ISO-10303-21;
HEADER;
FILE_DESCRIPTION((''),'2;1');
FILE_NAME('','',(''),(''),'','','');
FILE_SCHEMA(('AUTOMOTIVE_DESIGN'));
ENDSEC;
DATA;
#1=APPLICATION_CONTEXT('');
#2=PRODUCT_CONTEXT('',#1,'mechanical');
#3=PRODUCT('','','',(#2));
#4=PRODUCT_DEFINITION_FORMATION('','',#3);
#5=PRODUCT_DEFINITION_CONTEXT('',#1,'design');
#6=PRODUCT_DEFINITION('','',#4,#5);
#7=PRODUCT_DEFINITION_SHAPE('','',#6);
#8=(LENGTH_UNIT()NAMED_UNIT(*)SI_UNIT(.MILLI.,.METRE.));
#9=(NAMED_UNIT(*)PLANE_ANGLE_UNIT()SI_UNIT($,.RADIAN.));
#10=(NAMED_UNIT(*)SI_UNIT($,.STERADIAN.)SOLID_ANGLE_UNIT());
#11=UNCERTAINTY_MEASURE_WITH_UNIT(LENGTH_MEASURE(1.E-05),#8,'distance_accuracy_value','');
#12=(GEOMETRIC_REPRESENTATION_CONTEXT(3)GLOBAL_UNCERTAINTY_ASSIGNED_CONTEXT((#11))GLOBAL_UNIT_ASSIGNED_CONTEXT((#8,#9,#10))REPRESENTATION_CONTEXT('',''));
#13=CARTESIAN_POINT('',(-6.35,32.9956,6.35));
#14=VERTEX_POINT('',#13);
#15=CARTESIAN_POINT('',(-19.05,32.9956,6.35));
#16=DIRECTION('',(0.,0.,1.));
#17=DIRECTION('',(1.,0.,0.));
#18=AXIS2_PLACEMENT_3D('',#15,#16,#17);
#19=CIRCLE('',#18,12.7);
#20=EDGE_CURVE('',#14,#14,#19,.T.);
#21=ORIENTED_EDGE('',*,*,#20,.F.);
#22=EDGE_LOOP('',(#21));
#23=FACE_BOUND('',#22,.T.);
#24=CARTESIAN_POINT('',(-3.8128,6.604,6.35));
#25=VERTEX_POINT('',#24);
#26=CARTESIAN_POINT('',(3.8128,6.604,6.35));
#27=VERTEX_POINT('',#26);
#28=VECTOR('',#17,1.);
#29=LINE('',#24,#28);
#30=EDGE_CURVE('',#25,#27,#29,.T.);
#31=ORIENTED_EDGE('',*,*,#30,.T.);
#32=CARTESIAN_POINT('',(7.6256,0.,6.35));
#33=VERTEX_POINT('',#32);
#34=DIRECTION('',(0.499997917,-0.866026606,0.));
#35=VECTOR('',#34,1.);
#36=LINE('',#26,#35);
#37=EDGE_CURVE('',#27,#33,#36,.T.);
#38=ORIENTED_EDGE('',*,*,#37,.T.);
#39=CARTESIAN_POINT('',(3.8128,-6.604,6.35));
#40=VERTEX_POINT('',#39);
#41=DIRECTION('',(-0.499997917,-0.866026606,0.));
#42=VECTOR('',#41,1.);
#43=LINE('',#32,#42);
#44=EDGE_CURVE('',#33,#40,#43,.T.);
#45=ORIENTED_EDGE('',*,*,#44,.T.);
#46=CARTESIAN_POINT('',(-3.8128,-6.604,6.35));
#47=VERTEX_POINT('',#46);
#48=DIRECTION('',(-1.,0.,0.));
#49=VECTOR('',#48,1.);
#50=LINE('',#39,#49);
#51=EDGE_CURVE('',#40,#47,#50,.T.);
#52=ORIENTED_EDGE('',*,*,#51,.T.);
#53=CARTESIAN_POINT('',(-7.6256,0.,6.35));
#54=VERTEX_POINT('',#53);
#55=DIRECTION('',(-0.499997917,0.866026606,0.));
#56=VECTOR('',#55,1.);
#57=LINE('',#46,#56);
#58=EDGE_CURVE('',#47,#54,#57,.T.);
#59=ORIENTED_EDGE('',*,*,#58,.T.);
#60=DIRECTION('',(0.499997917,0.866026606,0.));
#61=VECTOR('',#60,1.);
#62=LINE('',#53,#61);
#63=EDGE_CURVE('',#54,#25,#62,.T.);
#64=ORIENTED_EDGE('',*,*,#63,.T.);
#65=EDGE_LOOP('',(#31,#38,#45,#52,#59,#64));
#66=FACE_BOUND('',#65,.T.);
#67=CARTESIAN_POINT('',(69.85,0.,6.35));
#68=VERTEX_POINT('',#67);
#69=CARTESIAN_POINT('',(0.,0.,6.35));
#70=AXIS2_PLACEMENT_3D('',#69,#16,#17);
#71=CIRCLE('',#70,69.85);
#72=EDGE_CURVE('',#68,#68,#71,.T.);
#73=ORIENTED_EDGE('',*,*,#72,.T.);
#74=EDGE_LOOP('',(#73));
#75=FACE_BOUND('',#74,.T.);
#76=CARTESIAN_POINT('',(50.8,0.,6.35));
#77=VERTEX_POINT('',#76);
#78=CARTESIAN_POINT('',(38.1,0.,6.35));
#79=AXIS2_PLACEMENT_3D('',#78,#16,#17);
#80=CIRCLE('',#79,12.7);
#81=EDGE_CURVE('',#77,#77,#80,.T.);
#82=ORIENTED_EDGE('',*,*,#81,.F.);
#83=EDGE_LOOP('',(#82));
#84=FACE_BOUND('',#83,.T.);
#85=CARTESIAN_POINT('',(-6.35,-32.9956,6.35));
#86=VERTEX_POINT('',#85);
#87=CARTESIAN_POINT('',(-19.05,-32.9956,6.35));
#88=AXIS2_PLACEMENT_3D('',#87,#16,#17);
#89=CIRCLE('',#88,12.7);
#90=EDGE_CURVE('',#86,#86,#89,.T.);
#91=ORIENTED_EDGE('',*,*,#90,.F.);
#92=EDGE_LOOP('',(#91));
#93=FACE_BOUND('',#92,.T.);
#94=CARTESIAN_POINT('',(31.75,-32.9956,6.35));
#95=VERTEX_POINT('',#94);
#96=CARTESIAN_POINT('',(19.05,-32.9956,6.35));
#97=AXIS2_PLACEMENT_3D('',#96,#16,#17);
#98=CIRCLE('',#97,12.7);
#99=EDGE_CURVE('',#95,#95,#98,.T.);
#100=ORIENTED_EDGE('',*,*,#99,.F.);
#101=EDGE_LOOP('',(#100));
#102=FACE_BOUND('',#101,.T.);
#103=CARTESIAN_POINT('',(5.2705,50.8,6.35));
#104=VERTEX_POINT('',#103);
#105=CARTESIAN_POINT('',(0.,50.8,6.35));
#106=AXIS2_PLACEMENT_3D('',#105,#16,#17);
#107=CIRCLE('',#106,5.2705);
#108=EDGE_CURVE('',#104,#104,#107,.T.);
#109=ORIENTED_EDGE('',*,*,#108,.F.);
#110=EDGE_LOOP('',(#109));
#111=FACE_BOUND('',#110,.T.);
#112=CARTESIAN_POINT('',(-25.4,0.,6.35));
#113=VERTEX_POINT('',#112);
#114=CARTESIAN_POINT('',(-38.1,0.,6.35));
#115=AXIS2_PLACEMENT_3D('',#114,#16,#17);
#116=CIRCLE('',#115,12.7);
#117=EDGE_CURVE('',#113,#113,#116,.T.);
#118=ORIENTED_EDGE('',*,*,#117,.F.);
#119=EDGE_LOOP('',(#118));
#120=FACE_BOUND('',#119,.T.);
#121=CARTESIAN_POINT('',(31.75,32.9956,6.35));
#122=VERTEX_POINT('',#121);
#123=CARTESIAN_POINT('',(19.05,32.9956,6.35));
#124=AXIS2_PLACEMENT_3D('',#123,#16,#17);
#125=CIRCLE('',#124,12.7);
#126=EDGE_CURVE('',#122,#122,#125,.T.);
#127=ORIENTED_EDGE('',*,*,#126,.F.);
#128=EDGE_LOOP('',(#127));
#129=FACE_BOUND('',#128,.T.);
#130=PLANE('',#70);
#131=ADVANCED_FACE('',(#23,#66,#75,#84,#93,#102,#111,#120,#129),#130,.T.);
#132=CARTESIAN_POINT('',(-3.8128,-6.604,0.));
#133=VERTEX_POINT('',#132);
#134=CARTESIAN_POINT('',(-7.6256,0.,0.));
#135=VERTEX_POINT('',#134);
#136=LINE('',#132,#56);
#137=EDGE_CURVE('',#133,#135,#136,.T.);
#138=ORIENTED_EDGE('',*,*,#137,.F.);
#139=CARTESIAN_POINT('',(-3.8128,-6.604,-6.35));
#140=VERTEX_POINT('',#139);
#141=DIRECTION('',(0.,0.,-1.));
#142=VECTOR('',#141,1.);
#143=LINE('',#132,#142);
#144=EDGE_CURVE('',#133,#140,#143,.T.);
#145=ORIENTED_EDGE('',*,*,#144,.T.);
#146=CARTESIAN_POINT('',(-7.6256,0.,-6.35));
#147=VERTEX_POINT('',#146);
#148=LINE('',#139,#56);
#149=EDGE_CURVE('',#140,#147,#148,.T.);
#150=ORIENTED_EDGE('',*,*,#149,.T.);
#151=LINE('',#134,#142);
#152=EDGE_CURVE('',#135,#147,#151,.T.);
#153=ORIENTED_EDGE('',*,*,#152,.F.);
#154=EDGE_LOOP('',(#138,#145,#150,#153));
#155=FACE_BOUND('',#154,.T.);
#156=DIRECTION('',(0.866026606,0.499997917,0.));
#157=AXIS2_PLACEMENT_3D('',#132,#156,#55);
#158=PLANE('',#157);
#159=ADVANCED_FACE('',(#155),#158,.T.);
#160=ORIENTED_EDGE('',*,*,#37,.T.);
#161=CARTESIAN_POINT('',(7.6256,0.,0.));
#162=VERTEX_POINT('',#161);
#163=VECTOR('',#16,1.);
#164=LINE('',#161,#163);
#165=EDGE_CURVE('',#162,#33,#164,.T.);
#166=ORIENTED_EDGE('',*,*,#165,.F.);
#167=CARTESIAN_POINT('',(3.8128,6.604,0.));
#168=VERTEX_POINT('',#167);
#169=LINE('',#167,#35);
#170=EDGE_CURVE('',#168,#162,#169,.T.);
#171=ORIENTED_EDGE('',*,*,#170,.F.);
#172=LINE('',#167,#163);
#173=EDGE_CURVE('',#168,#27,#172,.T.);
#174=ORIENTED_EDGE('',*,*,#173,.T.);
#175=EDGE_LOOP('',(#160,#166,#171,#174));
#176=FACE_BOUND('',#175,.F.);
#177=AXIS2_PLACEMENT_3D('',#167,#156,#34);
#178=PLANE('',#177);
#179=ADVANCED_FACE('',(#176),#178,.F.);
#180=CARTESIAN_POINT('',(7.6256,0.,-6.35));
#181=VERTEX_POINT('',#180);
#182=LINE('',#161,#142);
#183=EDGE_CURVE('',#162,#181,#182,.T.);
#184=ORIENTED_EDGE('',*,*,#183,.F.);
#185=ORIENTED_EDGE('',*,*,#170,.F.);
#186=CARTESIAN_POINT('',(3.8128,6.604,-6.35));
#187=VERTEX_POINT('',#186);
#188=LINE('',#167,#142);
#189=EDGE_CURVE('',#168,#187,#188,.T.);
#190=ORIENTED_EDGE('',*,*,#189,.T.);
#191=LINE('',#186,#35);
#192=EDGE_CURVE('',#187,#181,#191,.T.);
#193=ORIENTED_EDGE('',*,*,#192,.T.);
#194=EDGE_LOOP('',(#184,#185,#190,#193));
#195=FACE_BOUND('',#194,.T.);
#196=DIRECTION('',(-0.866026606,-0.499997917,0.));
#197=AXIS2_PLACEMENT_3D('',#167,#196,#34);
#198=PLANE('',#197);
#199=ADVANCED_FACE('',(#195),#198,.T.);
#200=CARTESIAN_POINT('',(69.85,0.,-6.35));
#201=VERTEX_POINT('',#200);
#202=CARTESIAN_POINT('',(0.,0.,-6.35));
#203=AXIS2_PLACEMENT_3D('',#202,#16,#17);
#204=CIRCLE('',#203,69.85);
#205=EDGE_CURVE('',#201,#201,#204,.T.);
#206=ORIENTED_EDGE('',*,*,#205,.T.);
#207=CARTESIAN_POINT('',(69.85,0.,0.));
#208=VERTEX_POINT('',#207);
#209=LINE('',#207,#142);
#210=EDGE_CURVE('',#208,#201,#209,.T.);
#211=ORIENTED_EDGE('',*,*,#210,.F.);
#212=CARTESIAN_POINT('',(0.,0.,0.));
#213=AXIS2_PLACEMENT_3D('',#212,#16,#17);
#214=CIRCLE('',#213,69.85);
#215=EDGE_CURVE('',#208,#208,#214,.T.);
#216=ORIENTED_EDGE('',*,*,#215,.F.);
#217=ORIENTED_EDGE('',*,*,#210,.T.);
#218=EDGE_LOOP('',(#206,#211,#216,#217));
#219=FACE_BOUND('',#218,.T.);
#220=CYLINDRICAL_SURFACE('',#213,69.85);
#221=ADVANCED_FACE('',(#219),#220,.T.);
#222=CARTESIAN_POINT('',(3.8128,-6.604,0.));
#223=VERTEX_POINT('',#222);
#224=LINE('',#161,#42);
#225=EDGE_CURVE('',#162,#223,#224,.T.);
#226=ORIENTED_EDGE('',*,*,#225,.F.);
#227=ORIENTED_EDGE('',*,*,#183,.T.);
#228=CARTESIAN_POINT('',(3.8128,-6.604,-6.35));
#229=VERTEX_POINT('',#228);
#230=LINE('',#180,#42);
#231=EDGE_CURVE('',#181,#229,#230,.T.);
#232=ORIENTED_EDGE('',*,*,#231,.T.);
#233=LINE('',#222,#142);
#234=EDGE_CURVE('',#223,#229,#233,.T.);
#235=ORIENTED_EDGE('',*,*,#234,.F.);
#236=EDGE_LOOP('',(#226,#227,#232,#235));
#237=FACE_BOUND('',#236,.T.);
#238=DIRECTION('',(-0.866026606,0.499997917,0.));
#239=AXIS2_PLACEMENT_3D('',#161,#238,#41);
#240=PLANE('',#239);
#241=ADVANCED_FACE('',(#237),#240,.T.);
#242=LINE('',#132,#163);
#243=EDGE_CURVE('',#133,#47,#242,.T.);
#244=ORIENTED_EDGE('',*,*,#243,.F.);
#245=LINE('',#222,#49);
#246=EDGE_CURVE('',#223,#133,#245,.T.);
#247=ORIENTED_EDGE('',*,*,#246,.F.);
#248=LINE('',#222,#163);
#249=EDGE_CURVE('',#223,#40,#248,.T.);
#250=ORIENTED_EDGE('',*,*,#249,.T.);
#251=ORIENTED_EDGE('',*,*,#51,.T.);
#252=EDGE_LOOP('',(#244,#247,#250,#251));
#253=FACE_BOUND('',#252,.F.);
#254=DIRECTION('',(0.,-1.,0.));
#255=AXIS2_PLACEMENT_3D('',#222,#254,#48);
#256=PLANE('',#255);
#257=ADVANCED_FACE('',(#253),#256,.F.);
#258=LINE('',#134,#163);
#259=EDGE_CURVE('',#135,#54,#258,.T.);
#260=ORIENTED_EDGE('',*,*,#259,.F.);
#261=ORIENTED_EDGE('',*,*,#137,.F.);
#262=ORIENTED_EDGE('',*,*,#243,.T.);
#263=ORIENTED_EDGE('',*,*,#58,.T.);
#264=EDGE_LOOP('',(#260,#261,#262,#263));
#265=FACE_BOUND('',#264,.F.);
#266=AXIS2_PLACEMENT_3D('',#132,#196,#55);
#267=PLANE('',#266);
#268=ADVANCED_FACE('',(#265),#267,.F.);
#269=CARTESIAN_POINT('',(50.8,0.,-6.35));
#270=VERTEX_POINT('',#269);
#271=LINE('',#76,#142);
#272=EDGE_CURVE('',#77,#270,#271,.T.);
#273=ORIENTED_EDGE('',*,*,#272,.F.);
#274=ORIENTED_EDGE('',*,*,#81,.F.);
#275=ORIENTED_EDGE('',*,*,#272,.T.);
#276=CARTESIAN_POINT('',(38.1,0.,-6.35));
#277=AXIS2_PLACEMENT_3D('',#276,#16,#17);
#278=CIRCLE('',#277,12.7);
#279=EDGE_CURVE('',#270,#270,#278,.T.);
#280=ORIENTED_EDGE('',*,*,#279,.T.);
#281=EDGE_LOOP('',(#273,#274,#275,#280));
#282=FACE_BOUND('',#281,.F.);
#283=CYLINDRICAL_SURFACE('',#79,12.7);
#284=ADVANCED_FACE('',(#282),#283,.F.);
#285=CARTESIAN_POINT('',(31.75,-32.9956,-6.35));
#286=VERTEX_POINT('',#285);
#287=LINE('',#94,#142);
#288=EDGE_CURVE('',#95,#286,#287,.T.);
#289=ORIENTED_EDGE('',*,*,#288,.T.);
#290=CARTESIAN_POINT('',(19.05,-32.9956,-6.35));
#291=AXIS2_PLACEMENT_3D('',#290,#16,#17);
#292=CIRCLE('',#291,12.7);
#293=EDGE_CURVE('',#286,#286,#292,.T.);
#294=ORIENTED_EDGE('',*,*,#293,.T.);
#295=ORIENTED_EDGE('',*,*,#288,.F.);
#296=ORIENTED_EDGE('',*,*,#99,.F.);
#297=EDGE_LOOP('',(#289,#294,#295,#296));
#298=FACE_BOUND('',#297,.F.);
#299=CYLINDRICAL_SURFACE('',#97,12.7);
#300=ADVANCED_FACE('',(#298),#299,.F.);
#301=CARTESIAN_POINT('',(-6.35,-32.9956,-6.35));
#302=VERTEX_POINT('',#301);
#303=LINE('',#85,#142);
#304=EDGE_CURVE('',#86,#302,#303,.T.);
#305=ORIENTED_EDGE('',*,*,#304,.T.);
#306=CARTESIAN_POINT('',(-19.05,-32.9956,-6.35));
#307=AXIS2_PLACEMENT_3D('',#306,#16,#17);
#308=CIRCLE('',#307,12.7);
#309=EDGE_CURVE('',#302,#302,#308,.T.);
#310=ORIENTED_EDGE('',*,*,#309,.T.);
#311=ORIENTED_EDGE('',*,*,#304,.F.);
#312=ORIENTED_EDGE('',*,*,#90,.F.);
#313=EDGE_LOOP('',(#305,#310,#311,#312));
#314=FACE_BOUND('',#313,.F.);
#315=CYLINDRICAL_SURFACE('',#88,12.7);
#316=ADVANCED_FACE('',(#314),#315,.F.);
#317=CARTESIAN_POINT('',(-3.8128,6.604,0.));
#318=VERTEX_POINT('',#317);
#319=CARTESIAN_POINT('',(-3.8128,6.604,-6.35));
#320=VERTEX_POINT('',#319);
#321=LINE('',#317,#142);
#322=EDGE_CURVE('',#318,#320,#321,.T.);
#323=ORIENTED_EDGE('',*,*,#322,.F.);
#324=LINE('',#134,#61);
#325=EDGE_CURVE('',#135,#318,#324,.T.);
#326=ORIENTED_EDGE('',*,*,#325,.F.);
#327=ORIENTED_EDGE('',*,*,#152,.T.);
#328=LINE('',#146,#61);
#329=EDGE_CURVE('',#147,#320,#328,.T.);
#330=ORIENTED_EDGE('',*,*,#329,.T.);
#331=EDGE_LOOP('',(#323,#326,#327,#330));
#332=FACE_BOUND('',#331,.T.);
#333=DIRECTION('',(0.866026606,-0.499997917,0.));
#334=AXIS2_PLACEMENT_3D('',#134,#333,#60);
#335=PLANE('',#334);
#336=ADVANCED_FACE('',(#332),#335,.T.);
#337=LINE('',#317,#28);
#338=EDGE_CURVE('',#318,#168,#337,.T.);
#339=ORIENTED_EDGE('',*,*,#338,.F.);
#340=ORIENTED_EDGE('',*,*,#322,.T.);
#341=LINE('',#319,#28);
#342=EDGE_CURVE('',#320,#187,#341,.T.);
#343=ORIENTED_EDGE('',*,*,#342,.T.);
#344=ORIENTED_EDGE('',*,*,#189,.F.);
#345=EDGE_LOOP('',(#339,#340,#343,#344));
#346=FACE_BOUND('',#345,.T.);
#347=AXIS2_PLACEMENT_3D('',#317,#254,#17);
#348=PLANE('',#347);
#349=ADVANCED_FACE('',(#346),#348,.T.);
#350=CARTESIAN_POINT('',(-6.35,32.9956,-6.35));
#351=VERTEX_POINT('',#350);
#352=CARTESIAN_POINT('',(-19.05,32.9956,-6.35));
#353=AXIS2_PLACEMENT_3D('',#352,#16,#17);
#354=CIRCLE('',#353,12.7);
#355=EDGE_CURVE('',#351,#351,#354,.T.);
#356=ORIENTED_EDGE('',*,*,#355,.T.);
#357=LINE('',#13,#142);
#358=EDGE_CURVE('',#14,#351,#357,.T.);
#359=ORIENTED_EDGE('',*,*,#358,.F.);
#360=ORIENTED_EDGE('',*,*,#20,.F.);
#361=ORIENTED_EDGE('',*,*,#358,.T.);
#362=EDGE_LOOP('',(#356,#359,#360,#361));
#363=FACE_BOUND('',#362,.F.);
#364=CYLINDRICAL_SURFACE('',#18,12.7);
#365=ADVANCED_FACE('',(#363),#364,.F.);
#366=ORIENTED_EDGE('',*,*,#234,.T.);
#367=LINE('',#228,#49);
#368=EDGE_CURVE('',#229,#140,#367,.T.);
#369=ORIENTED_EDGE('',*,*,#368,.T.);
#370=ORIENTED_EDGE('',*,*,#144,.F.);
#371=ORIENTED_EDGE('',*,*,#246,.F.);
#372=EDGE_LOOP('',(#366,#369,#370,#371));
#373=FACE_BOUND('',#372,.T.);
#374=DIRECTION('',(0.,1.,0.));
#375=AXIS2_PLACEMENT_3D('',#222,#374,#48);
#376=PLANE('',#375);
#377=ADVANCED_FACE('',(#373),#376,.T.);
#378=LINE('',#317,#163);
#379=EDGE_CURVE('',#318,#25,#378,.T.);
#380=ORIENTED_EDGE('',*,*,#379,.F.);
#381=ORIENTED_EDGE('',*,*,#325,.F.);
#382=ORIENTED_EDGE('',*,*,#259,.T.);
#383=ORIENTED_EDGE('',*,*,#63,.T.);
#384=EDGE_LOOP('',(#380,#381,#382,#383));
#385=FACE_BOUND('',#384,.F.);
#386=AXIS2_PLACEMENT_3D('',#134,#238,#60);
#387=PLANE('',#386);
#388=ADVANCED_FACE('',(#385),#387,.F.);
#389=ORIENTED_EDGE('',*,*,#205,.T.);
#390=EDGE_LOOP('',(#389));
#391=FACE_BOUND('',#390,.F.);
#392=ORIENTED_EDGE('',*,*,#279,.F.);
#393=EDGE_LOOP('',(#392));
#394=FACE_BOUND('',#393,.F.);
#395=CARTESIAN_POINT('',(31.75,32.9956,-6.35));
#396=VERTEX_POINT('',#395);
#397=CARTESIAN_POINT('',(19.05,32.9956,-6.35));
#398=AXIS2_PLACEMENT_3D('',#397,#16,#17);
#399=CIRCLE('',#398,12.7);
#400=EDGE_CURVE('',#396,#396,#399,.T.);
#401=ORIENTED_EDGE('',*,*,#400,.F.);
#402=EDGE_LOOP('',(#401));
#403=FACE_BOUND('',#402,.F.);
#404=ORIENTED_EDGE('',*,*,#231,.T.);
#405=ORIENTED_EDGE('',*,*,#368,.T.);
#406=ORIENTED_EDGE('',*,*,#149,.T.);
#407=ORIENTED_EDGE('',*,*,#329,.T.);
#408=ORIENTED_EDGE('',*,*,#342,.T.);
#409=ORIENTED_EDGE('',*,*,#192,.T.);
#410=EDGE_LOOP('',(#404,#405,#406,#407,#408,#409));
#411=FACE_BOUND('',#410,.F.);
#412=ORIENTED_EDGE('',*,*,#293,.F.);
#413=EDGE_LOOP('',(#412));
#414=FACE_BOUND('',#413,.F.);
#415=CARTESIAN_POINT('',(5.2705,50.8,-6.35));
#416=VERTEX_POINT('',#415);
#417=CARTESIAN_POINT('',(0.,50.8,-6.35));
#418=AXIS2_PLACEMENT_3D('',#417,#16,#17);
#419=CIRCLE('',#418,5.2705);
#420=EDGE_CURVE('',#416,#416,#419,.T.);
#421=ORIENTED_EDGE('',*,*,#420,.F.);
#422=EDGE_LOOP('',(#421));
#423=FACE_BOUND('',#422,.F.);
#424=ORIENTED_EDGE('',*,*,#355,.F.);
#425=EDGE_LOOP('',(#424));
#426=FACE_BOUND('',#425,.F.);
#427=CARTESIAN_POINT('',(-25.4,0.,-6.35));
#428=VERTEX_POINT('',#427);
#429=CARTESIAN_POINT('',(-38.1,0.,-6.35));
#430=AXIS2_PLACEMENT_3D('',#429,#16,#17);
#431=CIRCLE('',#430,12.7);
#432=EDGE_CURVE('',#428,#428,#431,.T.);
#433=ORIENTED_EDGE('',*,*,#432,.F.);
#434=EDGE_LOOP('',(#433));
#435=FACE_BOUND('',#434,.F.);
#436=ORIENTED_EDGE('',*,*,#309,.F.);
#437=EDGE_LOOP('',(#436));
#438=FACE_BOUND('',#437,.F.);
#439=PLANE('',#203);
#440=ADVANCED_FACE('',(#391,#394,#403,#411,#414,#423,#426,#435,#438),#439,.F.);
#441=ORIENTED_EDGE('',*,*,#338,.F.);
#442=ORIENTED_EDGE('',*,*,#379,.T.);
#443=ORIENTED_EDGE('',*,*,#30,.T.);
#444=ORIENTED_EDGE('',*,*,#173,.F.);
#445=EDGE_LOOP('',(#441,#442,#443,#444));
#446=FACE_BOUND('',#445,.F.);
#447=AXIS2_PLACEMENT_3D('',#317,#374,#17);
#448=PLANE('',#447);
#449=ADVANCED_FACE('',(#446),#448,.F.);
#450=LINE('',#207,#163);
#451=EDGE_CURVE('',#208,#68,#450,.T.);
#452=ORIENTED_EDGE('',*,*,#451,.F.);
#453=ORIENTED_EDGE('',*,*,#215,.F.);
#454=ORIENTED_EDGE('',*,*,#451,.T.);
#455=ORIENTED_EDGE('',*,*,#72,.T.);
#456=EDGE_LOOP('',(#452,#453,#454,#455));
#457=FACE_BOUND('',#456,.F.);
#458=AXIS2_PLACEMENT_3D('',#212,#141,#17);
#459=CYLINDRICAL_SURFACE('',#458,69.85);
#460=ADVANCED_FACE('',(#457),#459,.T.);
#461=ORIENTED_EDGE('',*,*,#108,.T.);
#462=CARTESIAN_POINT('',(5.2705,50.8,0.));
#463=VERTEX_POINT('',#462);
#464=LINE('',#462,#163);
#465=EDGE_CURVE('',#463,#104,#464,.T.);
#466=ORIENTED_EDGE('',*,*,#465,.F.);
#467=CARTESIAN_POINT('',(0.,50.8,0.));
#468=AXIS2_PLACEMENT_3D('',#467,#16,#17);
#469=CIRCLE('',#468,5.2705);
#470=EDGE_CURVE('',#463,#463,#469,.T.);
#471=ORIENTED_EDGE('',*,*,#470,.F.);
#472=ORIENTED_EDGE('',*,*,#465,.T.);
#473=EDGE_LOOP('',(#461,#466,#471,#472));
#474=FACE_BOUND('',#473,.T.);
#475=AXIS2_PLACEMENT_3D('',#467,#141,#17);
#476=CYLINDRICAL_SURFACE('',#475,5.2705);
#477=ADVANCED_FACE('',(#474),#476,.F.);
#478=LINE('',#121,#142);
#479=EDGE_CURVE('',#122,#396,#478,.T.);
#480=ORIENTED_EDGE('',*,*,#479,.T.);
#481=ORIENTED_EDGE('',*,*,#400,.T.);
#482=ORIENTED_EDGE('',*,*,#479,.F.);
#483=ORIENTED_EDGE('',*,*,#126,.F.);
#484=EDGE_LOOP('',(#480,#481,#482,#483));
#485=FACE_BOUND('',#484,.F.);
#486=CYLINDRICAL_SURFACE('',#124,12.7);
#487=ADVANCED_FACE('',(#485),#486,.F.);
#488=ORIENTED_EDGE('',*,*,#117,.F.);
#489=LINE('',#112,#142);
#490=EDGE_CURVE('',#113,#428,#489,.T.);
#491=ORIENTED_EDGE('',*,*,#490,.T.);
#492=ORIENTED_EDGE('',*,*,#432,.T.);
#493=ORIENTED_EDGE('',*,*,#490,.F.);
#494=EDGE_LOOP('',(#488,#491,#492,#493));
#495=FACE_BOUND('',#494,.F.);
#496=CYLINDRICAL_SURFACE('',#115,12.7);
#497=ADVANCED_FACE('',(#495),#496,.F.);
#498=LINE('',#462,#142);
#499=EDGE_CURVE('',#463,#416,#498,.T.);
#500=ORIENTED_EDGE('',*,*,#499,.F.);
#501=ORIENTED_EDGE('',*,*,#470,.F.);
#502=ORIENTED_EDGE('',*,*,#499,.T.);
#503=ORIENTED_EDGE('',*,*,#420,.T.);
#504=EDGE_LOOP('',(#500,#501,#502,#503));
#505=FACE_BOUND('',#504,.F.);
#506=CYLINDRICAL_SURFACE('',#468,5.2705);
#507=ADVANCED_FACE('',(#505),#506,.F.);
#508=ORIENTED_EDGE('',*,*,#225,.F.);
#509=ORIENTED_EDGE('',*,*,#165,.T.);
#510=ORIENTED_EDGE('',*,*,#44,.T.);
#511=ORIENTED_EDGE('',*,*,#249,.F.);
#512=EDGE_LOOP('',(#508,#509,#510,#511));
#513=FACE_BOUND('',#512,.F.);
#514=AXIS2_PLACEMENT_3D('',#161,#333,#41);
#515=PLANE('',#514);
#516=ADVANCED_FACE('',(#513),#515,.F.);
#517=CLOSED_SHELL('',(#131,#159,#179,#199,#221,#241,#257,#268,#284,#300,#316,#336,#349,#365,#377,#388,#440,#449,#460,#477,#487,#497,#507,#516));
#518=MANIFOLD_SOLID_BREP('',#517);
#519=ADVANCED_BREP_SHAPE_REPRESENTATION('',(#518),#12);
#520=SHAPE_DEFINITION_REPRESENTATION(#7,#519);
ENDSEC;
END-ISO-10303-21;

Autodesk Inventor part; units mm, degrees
ref_plane "YZ Plane" through (0, 0, 0) normal (1, 0, 0) x (0, 1, 0)
ref_plane "XZ Plane" through (0, 0, 0) normal (0, 1, 0) x (-1, 0, 0)
ref_plane "XY Plane" through (0, 0, 0) normal (0, 0, 1) x (1, 0, 0)
sketch "Sketch1" plane through (0, 0, 0) normal (0, 0, 1) x (1, 0, 0)
  circle A0 centre (0, 0) radius 69.85
  line L0 (7.6256, 0) -> (3.8128, -6.604)
  line L1 (3.8128, -6.604) -> (-3.8128, -6.604)
  line L2 (-3.8128, -6.604) -> (-7.6256, 0)
  line L3 (-7.6256, 0) -> (-3.8128, 6.604)
  line L4 (-3.8128, 6.604) -> (3.8128, 6.604)
  line L5 (3.8128, 6.604) -> (7.6256, 0)
  circle A1 centre (0, 50.8) radius 5.2705
  dimension "d0" = 139.7
  dimension "d1" = 13.208
  dimension "d2" = 10.541
  dimension "d5" = 50.8
extrude "Extrusion1" add sketch "Sketch1" along normal mid plane 12.7
sketch "Sketch2" plane through (0, 0, 6.35) normal (0, 0, 1) x (1, 0, 0)
  circle A0 centre (-38.1, 0) radius 12.7
  circle A1 centre (-19.05, -32.9956) radius 12.7
  circle A2 centre (19.05, -32.9956) radius 12.7
  circle A3 centre (38.1, 0) radius 12.7
  circle A4 centre (19.05, 32.9956) radius 12.7
  circle A5 centre (-19.05, 32.9956) radius 12.7
  point P0 (0, 0)
  dimension "d6" = 25.4
  dimension "d7" = 38.1
  dimension "d10" = 360
extrude "Extrusion2" cut sketch "Sketch2" against normal through all
properties part number "driveForPiston"
